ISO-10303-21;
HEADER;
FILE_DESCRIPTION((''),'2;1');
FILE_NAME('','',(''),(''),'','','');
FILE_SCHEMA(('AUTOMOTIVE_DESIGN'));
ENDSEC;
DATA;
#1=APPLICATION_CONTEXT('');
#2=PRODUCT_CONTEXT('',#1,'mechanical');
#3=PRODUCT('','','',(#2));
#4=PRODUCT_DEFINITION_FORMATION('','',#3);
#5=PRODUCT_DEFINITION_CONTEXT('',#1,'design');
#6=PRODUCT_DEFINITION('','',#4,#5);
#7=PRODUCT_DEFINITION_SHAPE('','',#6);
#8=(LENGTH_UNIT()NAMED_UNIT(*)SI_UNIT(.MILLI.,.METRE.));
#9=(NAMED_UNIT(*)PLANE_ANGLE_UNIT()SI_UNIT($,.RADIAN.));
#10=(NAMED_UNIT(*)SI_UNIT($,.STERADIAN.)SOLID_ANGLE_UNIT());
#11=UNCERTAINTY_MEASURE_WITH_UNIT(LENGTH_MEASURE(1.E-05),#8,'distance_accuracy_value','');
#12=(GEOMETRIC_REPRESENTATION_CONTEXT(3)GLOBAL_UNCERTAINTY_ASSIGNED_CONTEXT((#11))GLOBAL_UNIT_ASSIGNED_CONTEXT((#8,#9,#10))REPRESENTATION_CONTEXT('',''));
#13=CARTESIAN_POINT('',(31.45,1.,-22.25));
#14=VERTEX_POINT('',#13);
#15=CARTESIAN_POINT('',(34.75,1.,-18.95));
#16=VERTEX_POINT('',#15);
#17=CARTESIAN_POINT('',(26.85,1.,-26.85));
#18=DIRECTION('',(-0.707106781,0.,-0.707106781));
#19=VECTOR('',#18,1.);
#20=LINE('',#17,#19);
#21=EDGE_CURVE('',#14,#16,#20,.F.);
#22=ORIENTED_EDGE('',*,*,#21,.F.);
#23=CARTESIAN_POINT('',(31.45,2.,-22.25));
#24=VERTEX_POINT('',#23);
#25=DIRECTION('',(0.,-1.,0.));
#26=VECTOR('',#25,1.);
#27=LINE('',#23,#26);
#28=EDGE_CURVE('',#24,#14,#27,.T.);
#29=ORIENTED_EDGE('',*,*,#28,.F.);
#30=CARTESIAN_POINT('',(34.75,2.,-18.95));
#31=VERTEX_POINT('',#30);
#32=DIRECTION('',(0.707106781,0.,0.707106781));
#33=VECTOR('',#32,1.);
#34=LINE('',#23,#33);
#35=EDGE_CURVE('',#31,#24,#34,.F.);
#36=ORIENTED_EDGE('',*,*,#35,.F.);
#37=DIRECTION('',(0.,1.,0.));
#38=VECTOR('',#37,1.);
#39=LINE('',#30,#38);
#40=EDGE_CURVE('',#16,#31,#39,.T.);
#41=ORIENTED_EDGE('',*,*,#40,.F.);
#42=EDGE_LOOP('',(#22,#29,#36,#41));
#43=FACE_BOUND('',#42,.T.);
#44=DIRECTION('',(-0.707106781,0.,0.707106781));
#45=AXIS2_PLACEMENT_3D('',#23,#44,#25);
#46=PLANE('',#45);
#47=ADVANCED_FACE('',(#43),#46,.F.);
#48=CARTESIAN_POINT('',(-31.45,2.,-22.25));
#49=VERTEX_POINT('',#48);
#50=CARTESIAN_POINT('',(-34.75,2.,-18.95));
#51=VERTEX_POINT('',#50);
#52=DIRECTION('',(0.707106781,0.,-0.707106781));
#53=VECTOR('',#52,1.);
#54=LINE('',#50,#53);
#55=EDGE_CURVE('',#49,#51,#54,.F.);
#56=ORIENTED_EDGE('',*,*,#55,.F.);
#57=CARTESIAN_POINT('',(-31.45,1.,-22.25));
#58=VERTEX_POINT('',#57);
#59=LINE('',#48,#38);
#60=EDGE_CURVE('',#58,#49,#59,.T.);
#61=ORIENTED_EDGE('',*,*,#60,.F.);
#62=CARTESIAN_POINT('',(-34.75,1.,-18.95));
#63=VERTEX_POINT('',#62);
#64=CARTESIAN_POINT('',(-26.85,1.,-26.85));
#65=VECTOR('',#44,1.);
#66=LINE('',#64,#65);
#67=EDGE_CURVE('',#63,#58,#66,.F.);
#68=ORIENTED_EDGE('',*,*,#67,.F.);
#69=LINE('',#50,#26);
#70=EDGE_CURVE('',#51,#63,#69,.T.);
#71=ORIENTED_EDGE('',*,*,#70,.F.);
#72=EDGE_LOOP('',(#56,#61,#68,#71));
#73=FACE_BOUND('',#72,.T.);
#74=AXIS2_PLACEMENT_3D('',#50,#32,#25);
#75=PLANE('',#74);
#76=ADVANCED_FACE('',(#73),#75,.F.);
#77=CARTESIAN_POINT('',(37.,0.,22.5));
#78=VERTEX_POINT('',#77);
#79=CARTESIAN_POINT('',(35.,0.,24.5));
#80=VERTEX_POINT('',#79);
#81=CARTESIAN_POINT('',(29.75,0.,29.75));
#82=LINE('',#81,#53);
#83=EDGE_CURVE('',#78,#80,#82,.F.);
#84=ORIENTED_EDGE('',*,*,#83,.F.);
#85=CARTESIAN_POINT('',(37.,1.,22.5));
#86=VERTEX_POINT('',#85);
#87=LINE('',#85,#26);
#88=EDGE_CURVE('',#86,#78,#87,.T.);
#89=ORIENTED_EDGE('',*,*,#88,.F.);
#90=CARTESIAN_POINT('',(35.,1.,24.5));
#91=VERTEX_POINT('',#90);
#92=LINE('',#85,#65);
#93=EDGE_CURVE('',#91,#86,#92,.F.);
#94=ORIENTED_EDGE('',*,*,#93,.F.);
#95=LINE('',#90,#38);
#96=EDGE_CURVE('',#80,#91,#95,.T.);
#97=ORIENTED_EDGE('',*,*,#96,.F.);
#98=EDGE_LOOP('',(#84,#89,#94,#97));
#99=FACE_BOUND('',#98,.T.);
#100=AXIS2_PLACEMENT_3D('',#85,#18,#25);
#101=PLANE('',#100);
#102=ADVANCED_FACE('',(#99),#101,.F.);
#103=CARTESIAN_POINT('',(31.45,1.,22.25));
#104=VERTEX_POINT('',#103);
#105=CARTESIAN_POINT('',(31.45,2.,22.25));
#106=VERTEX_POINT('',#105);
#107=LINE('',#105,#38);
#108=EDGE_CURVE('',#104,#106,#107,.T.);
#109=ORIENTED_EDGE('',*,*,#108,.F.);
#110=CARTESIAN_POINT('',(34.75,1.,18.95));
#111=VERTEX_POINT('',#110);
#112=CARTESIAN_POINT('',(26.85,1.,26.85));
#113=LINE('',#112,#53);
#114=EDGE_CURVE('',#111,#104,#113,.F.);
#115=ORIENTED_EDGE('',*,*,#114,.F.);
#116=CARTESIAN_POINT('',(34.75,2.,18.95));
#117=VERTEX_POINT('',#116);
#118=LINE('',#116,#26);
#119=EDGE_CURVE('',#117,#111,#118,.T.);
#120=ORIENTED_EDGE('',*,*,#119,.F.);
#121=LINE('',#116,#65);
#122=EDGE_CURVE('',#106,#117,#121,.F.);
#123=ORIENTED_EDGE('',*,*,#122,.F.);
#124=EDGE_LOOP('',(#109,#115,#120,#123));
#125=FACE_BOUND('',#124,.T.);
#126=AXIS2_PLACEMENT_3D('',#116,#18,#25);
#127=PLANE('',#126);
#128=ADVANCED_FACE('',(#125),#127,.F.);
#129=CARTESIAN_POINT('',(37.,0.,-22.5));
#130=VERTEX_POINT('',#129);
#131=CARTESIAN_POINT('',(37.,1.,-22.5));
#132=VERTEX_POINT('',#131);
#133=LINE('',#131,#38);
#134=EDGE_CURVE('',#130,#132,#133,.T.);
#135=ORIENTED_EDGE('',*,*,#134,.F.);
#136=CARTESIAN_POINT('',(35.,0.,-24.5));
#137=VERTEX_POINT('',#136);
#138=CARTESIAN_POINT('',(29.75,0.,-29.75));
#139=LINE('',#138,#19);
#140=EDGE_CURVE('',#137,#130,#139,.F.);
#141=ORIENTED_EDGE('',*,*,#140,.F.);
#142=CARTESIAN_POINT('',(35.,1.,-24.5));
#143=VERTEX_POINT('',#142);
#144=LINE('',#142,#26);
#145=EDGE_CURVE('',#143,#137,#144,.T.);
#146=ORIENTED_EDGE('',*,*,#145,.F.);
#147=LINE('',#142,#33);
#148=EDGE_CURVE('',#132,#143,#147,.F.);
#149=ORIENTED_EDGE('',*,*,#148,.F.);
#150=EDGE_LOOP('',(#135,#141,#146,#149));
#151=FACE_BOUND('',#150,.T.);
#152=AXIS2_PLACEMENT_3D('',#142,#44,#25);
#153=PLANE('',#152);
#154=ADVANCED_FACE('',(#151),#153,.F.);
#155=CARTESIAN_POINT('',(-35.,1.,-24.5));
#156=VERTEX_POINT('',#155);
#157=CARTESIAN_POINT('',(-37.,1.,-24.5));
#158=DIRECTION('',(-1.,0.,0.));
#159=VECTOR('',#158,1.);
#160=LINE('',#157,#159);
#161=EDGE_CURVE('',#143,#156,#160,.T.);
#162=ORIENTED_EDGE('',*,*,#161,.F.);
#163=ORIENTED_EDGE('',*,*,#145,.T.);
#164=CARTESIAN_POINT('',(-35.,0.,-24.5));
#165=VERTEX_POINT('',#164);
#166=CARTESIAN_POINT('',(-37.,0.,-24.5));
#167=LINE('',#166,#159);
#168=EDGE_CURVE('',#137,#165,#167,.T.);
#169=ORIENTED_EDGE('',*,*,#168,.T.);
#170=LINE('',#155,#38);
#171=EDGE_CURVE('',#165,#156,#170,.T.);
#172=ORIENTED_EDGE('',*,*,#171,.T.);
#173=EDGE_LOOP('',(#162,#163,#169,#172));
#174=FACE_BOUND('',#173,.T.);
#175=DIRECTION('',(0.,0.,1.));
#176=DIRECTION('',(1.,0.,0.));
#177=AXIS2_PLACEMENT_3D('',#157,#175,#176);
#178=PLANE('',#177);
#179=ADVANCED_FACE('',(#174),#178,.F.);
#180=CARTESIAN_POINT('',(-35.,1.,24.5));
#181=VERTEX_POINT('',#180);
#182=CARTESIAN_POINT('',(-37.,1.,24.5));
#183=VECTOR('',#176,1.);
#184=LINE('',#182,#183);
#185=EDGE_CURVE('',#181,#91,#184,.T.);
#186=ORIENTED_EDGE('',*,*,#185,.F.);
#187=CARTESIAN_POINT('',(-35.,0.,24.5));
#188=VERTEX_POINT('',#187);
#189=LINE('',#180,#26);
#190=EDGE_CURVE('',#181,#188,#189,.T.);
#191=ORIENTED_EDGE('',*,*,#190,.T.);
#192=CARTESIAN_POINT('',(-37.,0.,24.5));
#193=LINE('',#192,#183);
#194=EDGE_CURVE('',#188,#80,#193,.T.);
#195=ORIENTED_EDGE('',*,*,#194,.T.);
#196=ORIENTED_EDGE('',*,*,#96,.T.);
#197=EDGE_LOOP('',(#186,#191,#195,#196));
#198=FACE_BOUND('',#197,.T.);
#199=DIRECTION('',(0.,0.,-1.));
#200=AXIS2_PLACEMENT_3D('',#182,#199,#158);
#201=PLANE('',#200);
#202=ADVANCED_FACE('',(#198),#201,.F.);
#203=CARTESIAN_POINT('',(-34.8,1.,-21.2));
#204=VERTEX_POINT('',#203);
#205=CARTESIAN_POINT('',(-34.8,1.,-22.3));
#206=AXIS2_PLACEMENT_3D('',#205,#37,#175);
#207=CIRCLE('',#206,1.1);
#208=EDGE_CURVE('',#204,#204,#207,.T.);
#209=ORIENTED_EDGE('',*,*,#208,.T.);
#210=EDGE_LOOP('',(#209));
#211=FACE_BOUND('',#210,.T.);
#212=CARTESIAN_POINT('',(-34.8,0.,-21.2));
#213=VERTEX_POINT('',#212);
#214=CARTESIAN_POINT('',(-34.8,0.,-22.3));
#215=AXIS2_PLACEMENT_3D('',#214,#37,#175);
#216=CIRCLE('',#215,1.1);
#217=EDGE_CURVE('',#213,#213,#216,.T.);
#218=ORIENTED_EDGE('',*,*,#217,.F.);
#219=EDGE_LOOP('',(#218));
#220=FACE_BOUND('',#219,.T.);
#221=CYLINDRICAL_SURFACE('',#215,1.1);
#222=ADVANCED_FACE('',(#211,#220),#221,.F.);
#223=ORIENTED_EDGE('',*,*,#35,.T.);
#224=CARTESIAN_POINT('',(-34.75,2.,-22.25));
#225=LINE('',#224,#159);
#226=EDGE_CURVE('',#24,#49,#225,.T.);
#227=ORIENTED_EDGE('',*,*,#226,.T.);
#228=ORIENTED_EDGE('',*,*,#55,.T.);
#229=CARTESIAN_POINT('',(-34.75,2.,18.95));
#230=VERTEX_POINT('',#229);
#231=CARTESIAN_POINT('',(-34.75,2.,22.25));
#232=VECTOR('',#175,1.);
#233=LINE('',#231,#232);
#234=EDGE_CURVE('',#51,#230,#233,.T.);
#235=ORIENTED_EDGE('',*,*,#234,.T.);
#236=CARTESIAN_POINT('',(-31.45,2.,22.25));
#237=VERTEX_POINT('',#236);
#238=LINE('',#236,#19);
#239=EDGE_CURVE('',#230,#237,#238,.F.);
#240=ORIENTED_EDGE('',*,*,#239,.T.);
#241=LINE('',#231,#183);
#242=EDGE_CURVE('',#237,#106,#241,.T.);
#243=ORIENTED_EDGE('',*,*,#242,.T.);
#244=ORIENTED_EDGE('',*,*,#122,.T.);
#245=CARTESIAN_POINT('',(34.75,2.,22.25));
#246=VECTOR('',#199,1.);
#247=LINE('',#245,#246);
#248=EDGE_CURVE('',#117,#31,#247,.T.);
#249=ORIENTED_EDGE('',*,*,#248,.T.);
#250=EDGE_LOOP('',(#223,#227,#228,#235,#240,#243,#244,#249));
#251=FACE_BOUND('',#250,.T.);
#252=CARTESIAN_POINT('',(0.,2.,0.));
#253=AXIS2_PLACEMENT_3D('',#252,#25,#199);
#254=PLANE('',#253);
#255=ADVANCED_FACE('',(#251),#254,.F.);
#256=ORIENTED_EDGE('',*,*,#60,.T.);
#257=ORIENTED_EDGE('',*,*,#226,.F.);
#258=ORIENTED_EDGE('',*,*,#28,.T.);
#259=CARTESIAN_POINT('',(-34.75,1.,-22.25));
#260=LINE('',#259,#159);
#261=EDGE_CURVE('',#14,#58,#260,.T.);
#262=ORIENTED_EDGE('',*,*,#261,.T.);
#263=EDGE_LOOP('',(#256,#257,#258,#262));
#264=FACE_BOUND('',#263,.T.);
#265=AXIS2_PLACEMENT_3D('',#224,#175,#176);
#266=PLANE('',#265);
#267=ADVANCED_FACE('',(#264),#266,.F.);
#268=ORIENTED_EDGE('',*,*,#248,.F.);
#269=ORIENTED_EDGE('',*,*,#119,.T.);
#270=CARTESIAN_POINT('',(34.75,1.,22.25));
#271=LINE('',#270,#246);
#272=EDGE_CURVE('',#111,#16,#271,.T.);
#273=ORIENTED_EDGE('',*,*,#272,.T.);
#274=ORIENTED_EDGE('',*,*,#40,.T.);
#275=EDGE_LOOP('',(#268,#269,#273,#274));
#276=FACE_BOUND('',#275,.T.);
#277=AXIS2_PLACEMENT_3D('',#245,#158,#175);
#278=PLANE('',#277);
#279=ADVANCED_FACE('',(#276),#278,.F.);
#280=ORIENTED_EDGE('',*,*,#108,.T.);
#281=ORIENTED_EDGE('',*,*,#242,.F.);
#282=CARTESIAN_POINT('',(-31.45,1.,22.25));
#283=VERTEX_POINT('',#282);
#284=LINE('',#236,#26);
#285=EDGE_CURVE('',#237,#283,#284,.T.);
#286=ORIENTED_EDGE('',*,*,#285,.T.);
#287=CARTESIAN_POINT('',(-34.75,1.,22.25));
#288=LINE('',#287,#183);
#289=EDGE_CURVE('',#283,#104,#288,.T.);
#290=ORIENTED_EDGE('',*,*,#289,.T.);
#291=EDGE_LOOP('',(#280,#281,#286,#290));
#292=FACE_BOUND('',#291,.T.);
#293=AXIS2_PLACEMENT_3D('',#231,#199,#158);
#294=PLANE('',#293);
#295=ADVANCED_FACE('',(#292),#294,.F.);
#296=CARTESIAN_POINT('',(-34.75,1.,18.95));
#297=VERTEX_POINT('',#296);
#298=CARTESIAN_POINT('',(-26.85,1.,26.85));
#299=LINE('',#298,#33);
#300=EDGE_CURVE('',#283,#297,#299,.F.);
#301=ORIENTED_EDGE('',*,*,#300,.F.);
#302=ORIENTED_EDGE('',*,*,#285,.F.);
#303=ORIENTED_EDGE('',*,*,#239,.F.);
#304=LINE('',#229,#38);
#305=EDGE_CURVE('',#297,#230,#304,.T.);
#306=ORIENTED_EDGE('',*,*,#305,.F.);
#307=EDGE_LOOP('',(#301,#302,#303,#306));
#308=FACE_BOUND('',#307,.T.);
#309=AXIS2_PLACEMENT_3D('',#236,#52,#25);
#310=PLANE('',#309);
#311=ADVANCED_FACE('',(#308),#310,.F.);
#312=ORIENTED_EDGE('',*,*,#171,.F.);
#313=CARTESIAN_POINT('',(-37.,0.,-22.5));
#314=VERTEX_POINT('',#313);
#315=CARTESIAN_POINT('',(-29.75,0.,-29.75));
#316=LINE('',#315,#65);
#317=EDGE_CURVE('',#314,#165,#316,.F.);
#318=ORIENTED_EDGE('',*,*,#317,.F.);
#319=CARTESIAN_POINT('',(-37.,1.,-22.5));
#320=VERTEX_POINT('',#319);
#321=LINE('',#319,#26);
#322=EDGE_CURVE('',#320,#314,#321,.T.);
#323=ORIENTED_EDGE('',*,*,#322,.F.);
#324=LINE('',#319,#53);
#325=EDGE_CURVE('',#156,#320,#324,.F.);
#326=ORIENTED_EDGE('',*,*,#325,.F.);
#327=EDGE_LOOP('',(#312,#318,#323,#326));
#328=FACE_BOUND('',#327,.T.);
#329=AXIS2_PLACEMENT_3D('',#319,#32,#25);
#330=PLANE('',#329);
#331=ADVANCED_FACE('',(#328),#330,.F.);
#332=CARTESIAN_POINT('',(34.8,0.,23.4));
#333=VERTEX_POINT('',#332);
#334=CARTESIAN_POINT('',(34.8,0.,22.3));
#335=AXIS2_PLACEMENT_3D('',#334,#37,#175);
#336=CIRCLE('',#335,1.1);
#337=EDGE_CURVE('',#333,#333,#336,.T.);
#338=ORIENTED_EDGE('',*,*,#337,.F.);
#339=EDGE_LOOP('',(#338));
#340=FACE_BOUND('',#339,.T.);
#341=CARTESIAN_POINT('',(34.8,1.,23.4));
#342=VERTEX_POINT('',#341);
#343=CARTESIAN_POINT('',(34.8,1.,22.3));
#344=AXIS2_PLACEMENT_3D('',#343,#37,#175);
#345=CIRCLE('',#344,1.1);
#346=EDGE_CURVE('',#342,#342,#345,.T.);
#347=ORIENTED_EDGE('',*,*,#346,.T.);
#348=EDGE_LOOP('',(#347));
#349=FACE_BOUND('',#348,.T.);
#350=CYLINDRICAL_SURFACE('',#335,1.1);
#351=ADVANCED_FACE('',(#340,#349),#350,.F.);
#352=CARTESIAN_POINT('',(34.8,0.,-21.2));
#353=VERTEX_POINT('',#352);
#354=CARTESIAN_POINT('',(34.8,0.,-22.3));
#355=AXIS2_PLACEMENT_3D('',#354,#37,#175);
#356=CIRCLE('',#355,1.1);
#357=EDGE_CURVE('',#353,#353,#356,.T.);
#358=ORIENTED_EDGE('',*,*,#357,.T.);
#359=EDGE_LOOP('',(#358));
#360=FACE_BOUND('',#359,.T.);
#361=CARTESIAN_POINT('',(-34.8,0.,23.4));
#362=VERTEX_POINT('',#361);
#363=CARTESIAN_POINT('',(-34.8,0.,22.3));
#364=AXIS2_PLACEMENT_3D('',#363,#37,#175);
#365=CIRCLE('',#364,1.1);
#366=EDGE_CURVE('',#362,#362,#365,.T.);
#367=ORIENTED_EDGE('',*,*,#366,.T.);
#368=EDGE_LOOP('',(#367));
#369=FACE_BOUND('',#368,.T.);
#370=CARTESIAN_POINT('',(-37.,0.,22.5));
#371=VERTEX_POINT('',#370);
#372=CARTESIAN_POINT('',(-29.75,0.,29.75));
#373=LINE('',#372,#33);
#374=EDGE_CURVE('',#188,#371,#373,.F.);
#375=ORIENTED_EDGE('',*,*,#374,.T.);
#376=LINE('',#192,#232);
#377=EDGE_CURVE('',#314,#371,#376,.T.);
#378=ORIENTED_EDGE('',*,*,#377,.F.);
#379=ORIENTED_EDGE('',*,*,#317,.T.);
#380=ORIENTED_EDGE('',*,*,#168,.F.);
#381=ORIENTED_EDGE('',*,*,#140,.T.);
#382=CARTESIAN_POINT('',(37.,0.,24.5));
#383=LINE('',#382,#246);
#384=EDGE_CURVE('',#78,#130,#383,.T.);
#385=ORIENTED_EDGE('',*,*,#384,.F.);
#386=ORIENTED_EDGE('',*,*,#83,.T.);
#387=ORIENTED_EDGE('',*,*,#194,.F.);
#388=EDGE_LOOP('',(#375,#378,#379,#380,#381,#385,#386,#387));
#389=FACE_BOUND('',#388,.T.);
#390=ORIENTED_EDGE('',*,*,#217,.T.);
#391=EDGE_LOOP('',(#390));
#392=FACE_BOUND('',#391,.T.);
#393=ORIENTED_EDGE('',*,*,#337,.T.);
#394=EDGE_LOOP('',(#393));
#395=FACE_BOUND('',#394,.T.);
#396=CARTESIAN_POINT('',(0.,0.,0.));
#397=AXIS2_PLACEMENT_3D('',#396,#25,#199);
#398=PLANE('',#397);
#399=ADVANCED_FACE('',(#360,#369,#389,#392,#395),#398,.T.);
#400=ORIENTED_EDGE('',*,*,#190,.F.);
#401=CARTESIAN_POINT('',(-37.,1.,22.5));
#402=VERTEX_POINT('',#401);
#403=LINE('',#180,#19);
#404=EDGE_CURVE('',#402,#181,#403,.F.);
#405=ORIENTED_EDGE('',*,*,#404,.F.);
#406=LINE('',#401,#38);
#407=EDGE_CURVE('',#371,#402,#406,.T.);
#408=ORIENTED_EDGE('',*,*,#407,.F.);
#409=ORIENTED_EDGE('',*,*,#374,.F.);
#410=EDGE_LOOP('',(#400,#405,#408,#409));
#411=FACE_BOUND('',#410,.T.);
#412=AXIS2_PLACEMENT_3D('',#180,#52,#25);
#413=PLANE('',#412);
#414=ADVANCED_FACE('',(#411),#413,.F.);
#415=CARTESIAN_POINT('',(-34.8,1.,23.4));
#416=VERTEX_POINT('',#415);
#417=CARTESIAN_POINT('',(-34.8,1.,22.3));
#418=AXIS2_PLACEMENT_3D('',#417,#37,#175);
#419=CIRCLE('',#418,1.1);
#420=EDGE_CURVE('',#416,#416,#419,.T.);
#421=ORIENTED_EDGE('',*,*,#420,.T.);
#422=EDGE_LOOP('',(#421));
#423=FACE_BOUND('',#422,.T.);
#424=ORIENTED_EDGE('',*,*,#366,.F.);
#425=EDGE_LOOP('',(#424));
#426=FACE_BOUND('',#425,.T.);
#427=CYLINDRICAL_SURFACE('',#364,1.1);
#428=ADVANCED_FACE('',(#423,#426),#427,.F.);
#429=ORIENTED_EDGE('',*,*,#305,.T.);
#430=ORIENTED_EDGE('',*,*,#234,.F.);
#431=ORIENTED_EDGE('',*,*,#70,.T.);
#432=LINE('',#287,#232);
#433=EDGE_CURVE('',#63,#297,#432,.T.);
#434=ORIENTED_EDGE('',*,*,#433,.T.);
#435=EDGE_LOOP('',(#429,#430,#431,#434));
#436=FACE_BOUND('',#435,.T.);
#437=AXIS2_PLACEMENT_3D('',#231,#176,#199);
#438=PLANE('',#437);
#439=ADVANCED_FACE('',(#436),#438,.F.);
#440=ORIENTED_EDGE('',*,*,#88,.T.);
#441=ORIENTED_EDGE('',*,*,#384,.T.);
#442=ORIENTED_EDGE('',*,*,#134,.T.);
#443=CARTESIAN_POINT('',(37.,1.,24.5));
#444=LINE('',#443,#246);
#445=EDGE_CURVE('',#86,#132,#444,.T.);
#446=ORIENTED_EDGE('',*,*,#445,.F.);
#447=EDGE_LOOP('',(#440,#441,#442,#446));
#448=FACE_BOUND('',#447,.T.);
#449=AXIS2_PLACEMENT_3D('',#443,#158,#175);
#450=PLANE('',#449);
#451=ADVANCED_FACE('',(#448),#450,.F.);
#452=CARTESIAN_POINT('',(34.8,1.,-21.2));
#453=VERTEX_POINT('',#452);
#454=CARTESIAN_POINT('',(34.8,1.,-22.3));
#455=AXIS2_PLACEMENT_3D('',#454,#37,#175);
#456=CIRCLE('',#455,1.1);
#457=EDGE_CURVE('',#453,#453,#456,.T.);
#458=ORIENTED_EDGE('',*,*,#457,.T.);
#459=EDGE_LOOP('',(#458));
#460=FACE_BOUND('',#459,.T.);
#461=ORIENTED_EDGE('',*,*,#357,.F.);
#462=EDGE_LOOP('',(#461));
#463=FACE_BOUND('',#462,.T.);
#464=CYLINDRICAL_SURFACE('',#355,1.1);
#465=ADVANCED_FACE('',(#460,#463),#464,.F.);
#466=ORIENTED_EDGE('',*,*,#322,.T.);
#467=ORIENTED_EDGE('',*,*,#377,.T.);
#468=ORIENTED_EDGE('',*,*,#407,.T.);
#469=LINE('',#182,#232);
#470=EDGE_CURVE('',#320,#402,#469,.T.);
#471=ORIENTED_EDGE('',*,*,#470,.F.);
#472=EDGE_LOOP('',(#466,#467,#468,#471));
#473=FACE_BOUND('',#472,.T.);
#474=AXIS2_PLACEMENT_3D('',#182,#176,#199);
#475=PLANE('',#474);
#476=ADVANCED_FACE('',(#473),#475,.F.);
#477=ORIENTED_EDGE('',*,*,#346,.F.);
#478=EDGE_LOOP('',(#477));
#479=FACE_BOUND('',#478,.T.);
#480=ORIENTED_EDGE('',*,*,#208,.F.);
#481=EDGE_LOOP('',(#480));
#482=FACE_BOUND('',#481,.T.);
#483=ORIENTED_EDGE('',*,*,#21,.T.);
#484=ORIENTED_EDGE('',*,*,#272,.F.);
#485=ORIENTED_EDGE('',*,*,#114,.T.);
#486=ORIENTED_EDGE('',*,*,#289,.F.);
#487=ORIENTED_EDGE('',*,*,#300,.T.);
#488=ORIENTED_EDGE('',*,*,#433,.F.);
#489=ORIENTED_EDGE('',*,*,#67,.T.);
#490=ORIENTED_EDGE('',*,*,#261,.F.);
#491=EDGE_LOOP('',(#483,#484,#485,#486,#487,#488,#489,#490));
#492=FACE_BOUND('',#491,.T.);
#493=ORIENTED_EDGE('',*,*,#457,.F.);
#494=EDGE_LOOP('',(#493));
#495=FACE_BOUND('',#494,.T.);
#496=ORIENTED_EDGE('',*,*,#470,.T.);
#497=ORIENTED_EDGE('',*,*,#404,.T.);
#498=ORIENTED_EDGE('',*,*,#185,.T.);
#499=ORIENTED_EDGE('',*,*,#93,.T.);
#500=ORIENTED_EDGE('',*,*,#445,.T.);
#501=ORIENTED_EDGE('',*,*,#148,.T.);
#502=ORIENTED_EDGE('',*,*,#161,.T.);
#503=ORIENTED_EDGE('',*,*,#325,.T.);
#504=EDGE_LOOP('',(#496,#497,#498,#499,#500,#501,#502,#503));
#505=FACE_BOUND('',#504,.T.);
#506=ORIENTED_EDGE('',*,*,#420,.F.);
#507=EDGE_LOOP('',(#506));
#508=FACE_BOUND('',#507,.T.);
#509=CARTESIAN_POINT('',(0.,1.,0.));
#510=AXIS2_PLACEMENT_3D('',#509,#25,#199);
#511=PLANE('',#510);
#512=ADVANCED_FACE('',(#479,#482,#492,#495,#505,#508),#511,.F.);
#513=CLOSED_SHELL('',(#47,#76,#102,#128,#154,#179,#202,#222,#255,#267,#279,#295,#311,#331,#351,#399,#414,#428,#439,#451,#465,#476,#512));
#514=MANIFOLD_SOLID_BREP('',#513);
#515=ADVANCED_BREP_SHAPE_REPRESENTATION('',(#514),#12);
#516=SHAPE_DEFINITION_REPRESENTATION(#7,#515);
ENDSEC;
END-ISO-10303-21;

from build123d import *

# Parameters (mm, degrees)
SKETCH1_W           = 74
SKETCH1_H           = 49
BOSS_EXTRUDE1_DEPTH = 1
SKETCH2_W           = 69.5
SKETCH2_H           = 44.5
BOSS_EXTRUDE2_DEPTH = 1
CHAMFER1_SIZE       = 2
CHAMFER2_SIZE       = 3.3
SKETCH3_R           = 1.1
CUT_EXTRUDE1_DEPTH  = 1


with BuildPart() as part:
    # Sketch1 → Boss-Extrude1 (new body)
    with BuildSketch(Plane(origin=(0, 0, 0), x_dir=(1, 0, 0), z_dir=(0, 1, 0))):
        Rectangle(SKETCH1_W, SKETCH1_H)
    extrude(amount=BOSS_EXTRUDE1_DEPTH)

    # Sketch2 → Boss-Extrude2 (add)
    with BuildSketch(Plane(origin=(0, 1, 0), x_dir=(1, 0, 0), z_dir=(0, 1, 0))):
        Rectangle(SKETCH2_W, SKETCH2_H)
    extrude(amount=BOSS_EXTRUDE2_DEPTH)

    # Chamfer1
    chamfer1_edges = [part.edges().sort_by_distance(p)[0] for p in [
        (37, 0.5, 24.5),
        (-37, 0.5, 24.5),
        (-37, 0.5, -24.5),
        (37, 0.5, -24.5),
    ]]
    chamfer(chamfer1_edges, length=CHAMFER1_SIZE)

    # Chamfer2
    chamfer2_edges = [part.edges().sort_by_distance(p)[0] for p in [
        (34.75, 1.5, 22.25),
        (34.75, 1.5, -22.25),
        (-34.75, 1.5, -22.25),
        (-34.75, 1.5, 22.25),
    ]]
    chamfer(chamfer2_edges, length=CHAMFER2_SIZE)

    # Sketch3 → Cut-Extrude1 (cut)
    with BuildSketch(Plane(origin=(0, 1, 0), x_dir=(1, 0, 0), z_dir=(0, 1, 0))):
        with Locations(Location((-34.8, 22.3, 0), (0, 0, 270))):
            Circle(SKETCH3_R)
        with Locations(Location((34.8, 22.3, 0), (0, 0, 270))):
            Circle(SKETCH3_R)
        with Locations(Location((34.8, -22.3, 0), (0, 0, 270))):
            Circle(SKETCH3_R)
        with Locations(Location((-34.8, -22.3, 0), (0, 0, 270))):
            Circle(SKETCH3_R)
    extrude(amount=-CUT_EXTRUDE1_DEPTH, mode=Mode.SUBTRACT)


solid = part.part
